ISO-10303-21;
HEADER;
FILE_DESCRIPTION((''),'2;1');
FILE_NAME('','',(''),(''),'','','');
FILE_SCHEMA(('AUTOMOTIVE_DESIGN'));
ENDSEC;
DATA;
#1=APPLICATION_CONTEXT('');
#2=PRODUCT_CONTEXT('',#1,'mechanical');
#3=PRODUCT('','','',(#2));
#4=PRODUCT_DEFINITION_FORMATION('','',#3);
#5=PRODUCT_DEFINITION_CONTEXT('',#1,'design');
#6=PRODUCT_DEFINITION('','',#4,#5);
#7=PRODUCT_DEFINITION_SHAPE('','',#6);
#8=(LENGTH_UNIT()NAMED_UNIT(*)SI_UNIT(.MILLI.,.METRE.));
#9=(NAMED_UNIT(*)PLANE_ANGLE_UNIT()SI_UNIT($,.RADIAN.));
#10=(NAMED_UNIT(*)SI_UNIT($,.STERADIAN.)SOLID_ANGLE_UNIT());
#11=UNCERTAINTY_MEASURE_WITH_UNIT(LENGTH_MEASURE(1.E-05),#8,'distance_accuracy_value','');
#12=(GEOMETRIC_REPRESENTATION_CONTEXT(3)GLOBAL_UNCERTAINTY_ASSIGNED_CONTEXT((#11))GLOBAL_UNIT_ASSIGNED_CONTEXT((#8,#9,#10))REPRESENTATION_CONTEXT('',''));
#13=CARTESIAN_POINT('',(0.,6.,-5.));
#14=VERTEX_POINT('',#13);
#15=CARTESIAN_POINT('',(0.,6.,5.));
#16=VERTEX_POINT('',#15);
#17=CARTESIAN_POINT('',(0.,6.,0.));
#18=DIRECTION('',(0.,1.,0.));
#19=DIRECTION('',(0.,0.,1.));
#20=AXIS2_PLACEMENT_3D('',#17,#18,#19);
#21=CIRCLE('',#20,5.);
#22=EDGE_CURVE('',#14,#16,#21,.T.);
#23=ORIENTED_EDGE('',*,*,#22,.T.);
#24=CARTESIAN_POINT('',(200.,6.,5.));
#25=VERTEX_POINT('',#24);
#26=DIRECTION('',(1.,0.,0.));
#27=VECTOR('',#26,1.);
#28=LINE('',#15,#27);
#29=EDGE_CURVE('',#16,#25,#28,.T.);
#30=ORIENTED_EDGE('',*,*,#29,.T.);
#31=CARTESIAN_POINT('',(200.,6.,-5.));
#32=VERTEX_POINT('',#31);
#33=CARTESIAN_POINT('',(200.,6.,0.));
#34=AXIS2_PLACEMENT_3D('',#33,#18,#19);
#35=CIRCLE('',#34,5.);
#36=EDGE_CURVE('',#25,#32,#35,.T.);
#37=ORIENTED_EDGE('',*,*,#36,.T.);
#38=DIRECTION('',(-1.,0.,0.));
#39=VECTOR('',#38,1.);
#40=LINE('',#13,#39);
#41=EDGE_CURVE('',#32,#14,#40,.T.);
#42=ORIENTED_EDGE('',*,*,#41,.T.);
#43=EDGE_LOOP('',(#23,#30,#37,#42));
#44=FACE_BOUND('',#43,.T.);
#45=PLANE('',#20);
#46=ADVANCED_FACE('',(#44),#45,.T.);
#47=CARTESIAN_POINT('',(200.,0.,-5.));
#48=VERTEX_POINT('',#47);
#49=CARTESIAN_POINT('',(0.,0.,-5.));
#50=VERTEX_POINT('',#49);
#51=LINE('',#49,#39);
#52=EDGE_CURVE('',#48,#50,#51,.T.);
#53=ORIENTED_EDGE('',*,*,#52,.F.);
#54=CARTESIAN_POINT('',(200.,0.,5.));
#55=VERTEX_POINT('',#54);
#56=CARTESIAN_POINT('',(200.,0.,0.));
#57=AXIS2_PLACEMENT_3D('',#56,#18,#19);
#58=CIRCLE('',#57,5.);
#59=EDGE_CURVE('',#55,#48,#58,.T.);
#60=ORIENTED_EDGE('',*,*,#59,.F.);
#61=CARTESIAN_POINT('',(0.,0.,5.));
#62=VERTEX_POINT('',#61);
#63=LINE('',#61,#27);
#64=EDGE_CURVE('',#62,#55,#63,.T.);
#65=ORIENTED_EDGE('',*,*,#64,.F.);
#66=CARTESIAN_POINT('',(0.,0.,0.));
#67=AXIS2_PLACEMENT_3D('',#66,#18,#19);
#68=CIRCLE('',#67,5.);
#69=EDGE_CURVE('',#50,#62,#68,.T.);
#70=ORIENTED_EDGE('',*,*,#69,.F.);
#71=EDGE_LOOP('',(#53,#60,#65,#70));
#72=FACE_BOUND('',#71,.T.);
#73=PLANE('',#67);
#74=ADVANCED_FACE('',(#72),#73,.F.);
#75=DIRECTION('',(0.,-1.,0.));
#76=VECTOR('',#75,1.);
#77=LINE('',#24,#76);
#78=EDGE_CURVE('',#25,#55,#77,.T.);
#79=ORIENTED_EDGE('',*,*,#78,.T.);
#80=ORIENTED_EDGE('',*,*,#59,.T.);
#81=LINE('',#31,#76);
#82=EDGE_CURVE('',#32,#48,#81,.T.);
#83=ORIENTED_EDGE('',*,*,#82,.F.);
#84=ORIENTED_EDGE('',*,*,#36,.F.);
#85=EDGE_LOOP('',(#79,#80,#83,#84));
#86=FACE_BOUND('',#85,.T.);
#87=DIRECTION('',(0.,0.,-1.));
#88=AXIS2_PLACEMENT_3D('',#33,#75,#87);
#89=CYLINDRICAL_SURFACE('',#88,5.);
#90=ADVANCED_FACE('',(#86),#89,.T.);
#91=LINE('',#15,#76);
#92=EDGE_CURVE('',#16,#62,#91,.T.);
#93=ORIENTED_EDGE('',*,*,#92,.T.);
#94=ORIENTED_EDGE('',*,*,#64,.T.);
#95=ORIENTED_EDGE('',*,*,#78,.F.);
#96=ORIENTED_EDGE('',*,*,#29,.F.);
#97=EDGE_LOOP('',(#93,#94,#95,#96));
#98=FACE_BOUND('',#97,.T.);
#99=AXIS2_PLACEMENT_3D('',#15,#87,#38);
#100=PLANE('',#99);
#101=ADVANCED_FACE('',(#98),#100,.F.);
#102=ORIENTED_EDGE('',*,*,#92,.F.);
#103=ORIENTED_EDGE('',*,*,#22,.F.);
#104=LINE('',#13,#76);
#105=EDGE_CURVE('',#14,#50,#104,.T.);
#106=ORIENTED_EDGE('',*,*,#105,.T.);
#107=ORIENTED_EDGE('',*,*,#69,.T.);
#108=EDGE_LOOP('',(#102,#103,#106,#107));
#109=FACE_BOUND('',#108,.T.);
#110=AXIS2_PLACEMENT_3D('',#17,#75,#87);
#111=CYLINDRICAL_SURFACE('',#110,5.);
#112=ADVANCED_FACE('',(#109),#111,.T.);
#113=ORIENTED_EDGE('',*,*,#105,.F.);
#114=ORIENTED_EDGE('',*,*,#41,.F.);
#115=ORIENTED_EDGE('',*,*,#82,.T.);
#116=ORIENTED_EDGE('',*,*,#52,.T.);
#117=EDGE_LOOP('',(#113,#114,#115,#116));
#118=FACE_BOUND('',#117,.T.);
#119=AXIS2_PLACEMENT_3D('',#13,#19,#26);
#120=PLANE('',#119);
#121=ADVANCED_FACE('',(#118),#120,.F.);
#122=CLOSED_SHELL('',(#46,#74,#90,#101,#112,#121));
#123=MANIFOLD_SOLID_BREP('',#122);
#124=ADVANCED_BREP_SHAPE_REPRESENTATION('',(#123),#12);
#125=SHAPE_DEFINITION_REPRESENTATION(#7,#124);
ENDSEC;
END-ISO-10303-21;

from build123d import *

# Parameters (mm, degrees)
BOSS_EXTRUDE1_DEPTH = 6


with BuildPart() as part:
    # Sketch1 → Boss-Extrude1 (new body)
    with BuildSketch(Plane(origin=(0, 0, 0), x_dir=(1, 0, 0), z_dir=(0, 1, 0))):
        with BuildLine():
            Line((0, 5), (200, 5))
            ThreePointArc((200, 5), (205, 0), (200, -5))
            Line((200, -5), (0, -5))
            ThreePointArc((0, -5), (-5, 0), (0, 5))
        make_face()
    extrude(amount=BOSS_EXTRUDE1_DEPTH)


solid = part.part
